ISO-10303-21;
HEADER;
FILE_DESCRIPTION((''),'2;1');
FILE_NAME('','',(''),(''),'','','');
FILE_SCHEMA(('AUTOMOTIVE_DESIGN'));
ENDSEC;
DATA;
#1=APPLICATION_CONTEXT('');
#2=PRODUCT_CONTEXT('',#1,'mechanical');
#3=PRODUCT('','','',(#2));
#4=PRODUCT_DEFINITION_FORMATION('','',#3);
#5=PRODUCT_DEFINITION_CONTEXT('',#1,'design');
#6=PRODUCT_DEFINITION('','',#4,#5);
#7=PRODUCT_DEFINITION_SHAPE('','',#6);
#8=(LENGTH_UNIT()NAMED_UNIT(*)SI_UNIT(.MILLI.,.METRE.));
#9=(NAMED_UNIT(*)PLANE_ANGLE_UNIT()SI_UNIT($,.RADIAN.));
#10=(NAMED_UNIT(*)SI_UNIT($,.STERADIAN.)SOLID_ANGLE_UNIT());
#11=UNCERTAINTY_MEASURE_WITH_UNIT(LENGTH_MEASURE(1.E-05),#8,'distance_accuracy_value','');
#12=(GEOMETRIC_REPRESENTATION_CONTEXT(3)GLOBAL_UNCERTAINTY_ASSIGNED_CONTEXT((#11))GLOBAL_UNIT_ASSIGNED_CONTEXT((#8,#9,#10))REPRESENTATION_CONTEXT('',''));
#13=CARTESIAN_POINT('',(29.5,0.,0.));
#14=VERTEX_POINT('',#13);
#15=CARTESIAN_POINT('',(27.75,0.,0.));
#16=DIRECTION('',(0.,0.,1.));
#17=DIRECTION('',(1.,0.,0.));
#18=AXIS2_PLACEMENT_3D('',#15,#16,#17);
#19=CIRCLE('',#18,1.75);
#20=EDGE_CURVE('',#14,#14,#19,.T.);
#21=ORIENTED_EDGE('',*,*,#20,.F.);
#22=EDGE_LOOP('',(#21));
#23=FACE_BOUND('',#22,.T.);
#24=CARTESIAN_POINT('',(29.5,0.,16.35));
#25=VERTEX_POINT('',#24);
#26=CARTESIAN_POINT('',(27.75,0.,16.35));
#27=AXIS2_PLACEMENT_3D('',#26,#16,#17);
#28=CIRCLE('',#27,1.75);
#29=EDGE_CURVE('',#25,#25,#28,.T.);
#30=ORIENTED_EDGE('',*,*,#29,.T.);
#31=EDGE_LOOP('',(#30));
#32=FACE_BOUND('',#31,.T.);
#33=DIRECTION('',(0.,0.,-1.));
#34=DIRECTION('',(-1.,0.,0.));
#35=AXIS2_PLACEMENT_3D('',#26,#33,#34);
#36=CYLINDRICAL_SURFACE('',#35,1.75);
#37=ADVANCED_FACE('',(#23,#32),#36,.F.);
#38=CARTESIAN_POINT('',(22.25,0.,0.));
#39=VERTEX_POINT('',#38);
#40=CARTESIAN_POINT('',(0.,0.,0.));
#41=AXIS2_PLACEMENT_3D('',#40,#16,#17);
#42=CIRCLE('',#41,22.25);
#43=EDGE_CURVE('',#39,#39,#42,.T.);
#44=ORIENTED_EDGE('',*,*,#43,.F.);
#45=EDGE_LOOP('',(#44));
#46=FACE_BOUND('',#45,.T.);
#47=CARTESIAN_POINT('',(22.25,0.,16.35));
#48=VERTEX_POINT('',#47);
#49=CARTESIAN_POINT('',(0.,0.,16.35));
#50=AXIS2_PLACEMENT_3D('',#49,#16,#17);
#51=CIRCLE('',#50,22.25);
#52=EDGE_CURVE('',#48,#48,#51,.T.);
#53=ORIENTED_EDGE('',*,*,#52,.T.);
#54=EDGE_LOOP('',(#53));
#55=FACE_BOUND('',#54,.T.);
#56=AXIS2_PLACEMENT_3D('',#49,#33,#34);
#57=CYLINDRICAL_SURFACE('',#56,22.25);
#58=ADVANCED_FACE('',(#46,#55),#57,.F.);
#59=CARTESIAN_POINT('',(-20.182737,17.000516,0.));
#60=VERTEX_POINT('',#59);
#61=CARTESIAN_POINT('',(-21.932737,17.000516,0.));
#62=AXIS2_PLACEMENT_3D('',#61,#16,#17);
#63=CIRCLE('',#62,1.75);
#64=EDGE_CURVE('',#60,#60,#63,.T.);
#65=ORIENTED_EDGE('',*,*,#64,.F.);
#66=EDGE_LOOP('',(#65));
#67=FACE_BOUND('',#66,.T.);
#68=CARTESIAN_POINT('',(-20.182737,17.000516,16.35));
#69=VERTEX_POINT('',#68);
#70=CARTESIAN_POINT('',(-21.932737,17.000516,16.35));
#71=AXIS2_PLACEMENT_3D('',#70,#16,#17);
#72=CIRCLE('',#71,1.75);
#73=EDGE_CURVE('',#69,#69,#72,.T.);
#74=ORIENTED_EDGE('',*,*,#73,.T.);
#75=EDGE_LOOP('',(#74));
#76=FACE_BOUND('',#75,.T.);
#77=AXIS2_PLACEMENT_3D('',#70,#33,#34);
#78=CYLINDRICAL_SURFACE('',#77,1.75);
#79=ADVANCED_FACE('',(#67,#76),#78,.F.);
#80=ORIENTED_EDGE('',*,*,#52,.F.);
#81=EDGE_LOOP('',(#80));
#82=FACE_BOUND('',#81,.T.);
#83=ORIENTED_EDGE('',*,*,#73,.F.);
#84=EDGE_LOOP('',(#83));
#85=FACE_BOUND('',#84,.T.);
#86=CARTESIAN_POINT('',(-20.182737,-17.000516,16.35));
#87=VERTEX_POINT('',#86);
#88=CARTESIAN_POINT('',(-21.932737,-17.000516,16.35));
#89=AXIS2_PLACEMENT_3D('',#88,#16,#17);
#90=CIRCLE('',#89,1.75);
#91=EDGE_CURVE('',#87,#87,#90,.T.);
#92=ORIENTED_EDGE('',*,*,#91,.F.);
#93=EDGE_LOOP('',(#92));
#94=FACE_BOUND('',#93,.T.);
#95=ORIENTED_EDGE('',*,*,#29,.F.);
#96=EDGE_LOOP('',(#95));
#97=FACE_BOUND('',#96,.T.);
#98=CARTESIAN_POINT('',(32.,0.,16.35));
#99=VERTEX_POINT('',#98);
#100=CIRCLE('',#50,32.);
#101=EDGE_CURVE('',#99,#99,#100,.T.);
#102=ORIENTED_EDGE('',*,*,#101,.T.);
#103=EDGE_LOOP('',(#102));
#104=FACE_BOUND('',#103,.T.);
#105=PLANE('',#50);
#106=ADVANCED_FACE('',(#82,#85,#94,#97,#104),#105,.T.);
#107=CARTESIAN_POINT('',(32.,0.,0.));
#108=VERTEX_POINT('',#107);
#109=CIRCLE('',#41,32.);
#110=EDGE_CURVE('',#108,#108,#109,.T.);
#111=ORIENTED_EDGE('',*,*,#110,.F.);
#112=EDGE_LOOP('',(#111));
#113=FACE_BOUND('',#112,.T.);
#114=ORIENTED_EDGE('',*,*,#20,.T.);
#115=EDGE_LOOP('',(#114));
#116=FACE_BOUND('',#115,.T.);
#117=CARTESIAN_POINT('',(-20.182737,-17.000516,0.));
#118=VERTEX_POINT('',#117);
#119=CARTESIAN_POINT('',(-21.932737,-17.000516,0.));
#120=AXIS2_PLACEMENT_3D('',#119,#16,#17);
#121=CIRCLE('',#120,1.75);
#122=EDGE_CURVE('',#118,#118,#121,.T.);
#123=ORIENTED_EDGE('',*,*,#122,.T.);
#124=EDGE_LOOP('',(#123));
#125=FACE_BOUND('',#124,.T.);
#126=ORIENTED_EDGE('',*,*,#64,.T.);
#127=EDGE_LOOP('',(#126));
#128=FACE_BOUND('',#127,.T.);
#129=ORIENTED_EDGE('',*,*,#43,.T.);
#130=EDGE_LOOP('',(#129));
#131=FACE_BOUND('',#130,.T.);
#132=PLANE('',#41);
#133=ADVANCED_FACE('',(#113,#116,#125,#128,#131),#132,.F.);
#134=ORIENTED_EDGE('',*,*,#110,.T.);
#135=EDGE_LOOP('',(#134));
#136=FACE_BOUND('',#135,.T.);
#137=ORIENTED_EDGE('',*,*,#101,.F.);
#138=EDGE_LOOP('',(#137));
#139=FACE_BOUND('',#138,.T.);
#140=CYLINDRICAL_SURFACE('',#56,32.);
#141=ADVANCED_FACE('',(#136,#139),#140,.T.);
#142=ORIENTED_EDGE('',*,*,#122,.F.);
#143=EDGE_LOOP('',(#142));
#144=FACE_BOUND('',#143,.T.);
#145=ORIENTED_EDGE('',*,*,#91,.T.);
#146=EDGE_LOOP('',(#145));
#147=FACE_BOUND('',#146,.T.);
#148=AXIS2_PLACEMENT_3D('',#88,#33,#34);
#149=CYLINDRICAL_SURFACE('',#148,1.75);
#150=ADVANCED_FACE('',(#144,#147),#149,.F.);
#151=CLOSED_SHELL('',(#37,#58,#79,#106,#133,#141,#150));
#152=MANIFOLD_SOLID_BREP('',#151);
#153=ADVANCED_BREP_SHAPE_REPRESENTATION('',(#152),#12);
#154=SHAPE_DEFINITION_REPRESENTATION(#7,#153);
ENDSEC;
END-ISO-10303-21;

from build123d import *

# Parameters (mm, degrees)
SKETCH1_R           = 32
SKETCH1_R_2         = 22.25
SKETCH1_R_3         = 1.75
BOSS_EXTRUDE1_DEPTH = 16.35


with BuildPart() as part:
    # Sketch1 → Boss-Extrude1 (new body)
    with BuildSketch(Plane.XY):
        Circle(SKETCH1_R)
        Circle(SKETCH1_R_2, mode=Mode.SUBTRACT)
        with Locations((-21.932737229, 17.000515805)):
            Circle(SKETCH1_R_3, mode=Mode.SUBTRACT)
        with Locations((-21.932737229, -17.000515805)):
            Circle(SKETCH1_R_3, mode=Mode.SUBTRACT)
        with Locations((27.75, 0)):
            Circle(SKETCH1_R_3, mode=Mode.SUBTRACT)
    extrude(amount=BOSS_EXTRUDE1_DEPTH)


solid = part.part
